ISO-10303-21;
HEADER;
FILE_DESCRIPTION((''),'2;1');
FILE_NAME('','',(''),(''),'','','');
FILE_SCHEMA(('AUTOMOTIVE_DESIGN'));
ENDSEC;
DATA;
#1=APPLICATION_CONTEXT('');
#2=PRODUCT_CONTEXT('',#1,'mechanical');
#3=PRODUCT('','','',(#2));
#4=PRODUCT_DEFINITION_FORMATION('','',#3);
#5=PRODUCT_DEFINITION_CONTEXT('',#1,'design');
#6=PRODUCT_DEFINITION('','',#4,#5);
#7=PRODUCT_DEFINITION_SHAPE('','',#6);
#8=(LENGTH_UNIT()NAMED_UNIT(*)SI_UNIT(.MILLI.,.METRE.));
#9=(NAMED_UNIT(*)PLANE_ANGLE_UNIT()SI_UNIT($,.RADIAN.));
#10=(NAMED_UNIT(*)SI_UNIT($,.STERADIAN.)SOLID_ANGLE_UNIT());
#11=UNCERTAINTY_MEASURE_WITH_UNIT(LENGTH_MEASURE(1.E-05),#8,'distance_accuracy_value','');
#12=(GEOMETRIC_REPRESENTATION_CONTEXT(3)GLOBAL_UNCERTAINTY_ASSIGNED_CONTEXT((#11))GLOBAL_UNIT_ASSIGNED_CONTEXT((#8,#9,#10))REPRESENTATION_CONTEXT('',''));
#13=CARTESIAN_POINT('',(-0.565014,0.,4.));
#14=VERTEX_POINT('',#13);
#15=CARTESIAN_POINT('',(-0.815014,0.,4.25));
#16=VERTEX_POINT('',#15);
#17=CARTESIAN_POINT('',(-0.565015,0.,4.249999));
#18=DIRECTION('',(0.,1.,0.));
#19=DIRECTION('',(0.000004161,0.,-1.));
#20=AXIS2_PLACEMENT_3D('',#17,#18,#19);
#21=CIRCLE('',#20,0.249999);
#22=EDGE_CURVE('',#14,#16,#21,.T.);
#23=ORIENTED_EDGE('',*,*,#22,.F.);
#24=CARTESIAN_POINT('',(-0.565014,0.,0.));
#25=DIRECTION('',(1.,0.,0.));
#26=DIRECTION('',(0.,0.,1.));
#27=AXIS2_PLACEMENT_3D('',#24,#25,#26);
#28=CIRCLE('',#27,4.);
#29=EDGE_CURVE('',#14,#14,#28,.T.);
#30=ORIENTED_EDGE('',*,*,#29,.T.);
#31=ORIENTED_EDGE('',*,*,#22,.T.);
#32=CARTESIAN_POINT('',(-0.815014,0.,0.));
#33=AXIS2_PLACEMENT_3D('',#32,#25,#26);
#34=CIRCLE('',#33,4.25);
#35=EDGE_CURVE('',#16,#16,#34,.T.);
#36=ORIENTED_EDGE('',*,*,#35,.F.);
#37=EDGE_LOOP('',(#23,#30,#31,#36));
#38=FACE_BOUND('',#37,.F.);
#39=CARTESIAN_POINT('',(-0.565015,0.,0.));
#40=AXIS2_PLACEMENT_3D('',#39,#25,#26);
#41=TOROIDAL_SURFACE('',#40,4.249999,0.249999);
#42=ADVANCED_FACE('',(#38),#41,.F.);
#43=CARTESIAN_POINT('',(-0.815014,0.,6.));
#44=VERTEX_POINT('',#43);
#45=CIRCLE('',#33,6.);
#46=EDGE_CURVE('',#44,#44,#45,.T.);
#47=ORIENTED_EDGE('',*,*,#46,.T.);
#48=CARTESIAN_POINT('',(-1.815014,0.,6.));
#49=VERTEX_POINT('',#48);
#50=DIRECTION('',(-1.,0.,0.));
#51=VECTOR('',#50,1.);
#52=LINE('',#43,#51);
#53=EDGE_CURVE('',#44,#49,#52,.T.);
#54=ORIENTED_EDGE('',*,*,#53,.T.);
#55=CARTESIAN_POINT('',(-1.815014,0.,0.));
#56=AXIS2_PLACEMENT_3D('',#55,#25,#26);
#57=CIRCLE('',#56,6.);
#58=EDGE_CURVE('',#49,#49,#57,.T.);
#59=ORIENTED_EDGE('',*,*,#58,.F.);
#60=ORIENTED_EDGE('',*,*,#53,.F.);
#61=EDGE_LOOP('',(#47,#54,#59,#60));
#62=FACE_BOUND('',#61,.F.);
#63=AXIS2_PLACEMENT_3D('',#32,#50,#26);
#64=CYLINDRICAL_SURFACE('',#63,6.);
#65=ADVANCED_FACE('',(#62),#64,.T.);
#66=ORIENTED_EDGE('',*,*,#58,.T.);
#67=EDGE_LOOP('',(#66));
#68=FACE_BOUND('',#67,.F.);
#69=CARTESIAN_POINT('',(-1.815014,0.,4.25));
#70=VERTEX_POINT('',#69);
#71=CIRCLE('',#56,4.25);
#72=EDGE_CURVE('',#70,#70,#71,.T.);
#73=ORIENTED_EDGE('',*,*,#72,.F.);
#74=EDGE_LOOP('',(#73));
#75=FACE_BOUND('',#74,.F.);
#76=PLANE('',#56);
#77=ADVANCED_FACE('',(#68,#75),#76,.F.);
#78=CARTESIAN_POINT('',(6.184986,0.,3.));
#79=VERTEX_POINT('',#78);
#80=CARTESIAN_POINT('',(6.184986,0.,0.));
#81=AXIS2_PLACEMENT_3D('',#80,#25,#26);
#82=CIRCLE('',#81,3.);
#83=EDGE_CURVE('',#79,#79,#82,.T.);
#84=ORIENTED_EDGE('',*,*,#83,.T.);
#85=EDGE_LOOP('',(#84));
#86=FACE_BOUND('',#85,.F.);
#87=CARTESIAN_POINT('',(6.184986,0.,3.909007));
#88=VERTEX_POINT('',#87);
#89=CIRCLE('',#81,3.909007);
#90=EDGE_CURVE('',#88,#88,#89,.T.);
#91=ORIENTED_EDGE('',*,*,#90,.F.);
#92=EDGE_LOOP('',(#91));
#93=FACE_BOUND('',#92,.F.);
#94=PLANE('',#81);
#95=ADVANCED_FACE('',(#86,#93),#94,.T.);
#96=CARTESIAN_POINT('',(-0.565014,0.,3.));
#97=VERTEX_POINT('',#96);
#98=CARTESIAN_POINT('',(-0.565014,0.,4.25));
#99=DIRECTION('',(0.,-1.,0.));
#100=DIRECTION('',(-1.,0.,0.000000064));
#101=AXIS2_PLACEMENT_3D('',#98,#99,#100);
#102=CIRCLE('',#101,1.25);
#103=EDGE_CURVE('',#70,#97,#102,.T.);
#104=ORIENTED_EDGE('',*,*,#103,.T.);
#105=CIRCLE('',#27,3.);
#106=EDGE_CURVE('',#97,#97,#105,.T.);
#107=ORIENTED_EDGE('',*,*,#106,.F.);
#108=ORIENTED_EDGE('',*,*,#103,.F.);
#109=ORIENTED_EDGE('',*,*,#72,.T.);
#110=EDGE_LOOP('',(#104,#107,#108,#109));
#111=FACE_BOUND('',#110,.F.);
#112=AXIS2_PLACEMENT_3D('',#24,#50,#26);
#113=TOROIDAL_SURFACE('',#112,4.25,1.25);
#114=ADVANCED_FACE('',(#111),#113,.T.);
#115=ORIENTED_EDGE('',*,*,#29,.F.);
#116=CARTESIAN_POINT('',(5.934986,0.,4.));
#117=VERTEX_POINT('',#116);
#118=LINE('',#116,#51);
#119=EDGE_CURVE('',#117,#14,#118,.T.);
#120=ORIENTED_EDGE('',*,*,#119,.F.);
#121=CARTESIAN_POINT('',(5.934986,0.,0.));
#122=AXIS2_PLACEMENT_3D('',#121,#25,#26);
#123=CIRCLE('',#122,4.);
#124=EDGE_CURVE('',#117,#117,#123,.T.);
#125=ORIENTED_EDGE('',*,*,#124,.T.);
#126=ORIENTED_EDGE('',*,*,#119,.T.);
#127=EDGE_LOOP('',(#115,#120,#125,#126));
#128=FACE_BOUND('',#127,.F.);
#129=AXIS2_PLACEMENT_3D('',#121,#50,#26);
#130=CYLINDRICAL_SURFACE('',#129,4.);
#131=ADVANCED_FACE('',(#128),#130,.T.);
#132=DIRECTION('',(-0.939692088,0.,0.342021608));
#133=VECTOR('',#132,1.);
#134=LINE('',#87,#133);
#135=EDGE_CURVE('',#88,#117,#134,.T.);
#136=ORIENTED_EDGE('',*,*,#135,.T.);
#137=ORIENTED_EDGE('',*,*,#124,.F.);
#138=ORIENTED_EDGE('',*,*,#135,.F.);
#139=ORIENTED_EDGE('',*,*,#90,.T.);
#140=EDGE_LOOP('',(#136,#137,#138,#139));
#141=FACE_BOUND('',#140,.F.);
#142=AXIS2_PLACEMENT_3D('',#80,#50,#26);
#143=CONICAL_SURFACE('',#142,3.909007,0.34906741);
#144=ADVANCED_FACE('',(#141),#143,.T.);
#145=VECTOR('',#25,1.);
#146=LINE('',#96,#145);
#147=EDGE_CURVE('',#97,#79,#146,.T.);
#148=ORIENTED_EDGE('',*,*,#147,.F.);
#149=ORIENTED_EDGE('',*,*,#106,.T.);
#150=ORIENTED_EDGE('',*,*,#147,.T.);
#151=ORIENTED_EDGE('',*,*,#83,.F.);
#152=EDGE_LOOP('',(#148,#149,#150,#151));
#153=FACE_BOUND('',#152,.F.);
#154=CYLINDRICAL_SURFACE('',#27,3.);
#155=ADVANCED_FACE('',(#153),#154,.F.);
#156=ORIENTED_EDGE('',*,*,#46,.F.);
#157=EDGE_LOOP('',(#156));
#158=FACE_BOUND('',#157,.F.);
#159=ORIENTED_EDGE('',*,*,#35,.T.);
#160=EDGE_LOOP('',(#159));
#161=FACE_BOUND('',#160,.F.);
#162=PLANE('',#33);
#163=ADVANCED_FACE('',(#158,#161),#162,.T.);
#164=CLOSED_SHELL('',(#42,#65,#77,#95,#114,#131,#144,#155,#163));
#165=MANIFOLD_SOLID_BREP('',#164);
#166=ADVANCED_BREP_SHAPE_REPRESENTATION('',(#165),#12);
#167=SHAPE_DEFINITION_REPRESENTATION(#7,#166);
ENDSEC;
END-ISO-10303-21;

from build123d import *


with BuildPart() as f1:
    # F0 (on Front) → F1 (revolve)
    with BuildSketch(Plane.XZ):
        with BuildLine():
            ThreePointArc((-1.815014, 4.25), (-1.448898, 3.366117), (-0.565014, 3))
            Line((-0.565014, 3), (6.184986, 3))
            Line((6.184986, 3), (6.184986, 3.909007))
            Line((6.184986, 3.909007), (5.934986, 4))
            Line((5.934986, 4), (-0.565014, 4))
            ThreePointArc((-0.565014, 4), (-0.741791, 4.073223), (-0.815014, 4.25))
            Line((-0.815014, 4.25), (-0.815014, 6))
            Line((-0.815014, 6), (-1.815014, 6))
            Line((-1.815014, 6), (-1.815014, 4.25))
        make_face()
    revolve(axis=Axis((-0.667828, 0, 0), (1, 0, 0)))


solid = f1.part
